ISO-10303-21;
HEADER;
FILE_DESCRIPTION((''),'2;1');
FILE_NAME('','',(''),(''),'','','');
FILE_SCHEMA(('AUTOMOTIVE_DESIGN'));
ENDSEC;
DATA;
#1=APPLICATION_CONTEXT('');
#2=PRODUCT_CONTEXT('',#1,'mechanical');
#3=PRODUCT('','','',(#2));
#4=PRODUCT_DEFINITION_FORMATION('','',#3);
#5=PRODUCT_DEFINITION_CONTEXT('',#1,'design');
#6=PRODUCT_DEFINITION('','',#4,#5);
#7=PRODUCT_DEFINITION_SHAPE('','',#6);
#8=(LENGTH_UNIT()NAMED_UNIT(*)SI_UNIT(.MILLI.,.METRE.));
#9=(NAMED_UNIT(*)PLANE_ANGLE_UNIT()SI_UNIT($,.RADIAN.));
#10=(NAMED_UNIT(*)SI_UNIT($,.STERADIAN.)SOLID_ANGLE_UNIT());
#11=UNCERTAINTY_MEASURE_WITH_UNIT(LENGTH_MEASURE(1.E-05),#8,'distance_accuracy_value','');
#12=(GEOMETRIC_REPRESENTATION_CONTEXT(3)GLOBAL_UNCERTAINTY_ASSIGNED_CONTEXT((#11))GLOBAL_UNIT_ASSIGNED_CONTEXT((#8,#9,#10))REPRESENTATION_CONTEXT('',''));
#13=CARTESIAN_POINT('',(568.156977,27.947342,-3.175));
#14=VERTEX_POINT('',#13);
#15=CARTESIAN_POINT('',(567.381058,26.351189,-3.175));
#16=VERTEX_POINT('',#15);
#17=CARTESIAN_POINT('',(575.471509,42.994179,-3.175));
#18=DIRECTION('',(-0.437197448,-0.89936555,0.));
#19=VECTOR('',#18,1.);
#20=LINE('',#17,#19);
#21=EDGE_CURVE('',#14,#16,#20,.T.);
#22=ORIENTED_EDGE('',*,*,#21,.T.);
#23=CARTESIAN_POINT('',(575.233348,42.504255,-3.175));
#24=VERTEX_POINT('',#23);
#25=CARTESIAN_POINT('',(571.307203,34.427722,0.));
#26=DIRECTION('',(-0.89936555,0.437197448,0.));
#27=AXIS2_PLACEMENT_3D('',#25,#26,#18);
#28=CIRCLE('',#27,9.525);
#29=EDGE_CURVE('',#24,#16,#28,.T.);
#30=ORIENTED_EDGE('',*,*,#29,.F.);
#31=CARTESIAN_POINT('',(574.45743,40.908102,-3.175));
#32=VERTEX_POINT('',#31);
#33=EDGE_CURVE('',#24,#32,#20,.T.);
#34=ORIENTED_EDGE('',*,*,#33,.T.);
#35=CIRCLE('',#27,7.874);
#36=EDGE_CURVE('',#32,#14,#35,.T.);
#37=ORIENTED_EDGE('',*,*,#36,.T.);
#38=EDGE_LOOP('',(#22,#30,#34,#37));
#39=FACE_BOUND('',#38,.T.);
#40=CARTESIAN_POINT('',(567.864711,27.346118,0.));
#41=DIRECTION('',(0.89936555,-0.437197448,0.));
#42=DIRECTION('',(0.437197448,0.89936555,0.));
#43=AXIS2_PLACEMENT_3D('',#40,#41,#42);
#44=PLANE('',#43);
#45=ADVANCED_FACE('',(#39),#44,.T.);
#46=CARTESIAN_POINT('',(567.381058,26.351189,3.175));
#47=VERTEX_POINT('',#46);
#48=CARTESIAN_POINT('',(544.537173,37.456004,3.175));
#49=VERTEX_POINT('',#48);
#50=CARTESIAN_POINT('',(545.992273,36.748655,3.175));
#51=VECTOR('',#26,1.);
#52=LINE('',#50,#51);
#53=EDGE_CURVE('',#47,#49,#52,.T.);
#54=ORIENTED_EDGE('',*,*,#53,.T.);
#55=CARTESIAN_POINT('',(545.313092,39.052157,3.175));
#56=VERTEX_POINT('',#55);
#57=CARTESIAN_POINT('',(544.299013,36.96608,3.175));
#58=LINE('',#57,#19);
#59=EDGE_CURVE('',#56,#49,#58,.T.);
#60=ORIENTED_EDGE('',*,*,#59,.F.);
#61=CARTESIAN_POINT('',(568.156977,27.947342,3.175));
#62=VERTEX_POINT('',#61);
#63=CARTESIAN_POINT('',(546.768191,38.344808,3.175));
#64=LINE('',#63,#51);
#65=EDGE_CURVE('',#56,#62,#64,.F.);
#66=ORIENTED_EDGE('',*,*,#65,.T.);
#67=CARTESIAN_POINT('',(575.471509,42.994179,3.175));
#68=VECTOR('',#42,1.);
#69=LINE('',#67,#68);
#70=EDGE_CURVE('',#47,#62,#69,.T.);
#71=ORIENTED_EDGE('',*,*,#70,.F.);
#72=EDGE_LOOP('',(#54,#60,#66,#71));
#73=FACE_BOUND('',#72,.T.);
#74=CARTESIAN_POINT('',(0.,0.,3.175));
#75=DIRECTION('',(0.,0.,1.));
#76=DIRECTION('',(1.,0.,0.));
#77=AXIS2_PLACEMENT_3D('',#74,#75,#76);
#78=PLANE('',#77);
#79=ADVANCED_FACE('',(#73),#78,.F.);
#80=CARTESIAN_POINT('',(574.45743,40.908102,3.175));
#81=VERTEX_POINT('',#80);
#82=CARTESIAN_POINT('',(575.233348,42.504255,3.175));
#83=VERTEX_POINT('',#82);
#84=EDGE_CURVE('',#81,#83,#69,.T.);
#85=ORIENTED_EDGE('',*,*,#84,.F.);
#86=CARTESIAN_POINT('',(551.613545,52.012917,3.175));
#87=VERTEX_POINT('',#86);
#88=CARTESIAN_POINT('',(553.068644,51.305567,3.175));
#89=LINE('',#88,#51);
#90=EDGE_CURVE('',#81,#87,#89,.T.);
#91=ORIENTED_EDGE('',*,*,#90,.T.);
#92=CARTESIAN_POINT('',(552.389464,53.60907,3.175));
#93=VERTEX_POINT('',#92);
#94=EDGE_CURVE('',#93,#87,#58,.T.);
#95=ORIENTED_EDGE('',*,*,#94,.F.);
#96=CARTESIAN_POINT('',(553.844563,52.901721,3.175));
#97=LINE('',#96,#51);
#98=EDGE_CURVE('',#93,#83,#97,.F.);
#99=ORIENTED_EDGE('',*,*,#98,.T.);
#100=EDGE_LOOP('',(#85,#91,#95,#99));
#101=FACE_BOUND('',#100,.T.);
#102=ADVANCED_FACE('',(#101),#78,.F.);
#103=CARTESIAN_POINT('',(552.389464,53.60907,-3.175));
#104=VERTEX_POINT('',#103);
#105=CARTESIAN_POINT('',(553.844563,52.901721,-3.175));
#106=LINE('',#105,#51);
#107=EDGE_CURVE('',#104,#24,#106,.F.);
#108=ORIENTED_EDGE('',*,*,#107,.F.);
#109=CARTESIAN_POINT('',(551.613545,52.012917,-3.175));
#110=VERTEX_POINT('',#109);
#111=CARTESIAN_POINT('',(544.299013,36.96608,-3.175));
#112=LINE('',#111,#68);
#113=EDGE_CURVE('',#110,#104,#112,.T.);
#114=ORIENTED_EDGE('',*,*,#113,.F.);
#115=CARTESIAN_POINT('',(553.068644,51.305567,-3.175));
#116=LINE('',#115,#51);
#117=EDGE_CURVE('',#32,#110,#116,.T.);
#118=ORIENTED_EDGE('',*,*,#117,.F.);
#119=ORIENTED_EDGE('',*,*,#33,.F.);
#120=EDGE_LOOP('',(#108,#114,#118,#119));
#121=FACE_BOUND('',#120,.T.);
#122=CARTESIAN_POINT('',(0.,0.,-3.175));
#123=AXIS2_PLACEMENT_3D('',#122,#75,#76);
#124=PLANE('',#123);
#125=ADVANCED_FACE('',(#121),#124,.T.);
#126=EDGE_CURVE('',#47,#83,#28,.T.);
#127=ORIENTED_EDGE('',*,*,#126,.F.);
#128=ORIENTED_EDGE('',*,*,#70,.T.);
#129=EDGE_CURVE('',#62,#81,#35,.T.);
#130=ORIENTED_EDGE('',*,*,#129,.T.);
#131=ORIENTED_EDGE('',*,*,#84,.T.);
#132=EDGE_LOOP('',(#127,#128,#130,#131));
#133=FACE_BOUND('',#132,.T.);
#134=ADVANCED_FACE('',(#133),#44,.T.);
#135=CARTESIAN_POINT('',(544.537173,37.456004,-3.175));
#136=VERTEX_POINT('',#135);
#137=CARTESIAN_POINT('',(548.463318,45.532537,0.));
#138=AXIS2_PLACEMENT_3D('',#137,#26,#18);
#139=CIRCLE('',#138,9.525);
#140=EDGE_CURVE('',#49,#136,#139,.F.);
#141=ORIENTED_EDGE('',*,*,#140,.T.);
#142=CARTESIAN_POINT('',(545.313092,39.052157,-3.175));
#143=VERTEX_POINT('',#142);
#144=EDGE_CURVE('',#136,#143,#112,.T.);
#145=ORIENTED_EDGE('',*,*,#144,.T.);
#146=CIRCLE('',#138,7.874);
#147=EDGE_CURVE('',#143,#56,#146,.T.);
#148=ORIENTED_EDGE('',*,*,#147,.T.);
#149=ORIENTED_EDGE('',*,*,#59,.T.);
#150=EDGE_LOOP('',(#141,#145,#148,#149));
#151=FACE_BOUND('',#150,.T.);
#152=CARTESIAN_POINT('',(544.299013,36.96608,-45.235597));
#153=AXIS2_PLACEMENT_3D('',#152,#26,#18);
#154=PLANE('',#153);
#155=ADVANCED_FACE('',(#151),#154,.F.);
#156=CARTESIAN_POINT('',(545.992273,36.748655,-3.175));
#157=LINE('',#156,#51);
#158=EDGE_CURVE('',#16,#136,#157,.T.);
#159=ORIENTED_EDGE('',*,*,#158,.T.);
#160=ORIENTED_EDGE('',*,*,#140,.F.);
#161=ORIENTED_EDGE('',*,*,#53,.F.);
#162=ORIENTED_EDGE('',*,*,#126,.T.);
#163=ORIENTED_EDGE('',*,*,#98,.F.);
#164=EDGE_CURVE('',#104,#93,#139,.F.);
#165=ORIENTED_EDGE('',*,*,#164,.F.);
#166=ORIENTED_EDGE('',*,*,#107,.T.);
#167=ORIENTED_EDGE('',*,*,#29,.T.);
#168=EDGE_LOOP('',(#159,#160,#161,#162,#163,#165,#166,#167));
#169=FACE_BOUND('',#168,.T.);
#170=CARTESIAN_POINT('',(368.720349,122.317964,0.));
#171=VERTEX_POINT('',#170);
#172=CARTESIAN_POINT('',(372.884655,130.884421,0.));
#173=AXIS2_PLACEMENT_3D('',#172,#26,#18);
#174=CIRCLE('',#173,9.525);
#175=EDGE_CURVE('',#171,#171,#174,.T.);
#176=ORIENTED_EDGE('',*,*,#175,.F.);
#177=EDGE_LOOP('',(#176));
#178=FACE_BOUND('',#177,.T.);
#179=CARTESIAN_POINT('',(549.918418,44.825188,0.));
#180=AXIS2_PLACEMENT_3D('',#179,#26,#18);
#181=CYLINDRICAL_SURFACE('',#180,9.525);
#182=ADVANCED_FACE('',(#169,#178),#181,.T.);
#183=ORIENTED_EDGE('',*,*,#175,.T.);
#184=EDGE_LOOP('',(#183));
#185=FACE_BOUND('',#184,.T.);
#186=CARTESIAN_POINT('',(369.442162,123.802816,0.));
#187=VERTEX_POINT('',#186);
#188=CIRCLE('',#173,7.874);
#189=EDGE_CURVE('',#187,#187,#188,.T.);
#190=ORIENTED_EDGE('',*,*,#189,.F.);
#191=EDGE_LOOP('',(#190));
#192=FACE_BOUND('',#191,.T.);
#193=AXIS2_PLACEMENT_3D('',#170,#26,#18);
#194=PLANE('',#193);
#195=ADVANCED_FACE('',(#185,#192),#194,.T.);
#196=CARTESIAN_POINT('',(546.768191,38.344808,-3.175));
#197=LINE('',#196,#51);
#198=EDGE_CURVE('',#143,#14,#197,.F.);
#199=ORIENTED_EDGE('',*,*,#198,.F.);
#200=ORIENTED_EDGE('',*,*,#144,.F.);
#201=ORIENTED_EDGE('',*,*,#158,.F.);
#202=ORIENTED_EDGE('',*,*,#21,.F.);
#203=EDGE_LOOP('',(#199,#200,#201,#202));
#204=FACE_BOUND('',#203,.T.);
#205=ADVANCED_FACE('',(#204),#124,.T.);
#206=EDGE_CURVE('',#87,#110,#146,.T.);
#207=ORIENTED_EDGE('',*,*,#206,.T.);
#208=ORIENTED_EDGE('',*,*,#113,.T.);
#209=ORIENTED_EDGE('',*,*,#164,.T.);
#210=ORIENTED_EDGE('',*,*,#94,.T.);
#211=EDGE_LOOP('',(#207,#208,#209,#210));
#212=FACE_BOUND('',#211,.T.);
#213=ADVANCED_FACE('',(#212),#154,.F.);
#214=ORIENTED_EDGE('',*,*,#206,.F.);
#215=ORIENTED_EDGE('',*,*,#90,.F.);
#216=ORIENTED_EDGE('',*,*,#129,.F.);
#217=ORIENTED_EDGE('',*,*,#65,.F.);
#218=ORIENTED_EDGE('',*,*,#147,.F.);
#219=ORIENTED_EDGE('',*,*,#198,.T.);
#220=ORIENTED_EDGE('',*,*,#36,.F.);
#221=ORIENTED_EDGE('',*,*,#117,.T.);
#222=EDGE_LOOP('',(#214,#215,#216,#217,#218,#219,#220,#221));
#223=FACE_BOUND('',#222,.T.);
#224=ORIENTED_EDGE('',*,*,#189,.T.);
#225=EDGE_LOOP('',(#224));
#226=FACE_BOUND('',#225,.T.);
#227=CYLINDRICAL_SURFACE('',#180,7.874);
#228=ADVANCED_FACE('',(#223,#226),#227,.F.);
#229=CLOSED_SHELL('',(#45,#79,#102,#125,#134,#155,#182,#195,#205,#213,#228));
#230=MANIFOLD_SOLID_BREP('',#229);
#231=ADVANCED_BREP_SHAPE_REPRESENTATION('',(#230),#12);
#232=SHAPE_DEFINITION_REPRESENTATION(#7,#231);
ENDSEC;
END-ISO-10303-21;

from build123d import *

# Parameters (mm, degrees)
CUT_EXTRUDE1_START = -3.175
CUT_EXTRUDE1_DEPTH = 6.35


with BuildPart() as part:
    # Sketch1 → Revolve1 (revolve)
    with BuildSketch(Plane.XY):
        Polygon((369.442161905, 123.802816275), (567.864710706, 27.346117543), (567.14289772, 25.861265021), (368.720348919, 122.317963753), align=None)
    revolve(axis=Axis((549.918417615, 44.825187693, 0), (0.89936555, -0.437197448, 0)))

    # Sketch2 → Cut-Extrude1 (cut)
    with BuildSketch(Plane.XY.offset(CUT_EXTRUDE1_START)):
        Polygon((552.627624135, 54.098993909), (575.471509095, 42.994178741), (567.14289772, 25.861265021), (544.299012759, 36.966080188), align=None)
    extrude(amount=CUT_EXTRUDE1_DEPTH, mode=Mode.SUBTRACT)


solid = part.part
